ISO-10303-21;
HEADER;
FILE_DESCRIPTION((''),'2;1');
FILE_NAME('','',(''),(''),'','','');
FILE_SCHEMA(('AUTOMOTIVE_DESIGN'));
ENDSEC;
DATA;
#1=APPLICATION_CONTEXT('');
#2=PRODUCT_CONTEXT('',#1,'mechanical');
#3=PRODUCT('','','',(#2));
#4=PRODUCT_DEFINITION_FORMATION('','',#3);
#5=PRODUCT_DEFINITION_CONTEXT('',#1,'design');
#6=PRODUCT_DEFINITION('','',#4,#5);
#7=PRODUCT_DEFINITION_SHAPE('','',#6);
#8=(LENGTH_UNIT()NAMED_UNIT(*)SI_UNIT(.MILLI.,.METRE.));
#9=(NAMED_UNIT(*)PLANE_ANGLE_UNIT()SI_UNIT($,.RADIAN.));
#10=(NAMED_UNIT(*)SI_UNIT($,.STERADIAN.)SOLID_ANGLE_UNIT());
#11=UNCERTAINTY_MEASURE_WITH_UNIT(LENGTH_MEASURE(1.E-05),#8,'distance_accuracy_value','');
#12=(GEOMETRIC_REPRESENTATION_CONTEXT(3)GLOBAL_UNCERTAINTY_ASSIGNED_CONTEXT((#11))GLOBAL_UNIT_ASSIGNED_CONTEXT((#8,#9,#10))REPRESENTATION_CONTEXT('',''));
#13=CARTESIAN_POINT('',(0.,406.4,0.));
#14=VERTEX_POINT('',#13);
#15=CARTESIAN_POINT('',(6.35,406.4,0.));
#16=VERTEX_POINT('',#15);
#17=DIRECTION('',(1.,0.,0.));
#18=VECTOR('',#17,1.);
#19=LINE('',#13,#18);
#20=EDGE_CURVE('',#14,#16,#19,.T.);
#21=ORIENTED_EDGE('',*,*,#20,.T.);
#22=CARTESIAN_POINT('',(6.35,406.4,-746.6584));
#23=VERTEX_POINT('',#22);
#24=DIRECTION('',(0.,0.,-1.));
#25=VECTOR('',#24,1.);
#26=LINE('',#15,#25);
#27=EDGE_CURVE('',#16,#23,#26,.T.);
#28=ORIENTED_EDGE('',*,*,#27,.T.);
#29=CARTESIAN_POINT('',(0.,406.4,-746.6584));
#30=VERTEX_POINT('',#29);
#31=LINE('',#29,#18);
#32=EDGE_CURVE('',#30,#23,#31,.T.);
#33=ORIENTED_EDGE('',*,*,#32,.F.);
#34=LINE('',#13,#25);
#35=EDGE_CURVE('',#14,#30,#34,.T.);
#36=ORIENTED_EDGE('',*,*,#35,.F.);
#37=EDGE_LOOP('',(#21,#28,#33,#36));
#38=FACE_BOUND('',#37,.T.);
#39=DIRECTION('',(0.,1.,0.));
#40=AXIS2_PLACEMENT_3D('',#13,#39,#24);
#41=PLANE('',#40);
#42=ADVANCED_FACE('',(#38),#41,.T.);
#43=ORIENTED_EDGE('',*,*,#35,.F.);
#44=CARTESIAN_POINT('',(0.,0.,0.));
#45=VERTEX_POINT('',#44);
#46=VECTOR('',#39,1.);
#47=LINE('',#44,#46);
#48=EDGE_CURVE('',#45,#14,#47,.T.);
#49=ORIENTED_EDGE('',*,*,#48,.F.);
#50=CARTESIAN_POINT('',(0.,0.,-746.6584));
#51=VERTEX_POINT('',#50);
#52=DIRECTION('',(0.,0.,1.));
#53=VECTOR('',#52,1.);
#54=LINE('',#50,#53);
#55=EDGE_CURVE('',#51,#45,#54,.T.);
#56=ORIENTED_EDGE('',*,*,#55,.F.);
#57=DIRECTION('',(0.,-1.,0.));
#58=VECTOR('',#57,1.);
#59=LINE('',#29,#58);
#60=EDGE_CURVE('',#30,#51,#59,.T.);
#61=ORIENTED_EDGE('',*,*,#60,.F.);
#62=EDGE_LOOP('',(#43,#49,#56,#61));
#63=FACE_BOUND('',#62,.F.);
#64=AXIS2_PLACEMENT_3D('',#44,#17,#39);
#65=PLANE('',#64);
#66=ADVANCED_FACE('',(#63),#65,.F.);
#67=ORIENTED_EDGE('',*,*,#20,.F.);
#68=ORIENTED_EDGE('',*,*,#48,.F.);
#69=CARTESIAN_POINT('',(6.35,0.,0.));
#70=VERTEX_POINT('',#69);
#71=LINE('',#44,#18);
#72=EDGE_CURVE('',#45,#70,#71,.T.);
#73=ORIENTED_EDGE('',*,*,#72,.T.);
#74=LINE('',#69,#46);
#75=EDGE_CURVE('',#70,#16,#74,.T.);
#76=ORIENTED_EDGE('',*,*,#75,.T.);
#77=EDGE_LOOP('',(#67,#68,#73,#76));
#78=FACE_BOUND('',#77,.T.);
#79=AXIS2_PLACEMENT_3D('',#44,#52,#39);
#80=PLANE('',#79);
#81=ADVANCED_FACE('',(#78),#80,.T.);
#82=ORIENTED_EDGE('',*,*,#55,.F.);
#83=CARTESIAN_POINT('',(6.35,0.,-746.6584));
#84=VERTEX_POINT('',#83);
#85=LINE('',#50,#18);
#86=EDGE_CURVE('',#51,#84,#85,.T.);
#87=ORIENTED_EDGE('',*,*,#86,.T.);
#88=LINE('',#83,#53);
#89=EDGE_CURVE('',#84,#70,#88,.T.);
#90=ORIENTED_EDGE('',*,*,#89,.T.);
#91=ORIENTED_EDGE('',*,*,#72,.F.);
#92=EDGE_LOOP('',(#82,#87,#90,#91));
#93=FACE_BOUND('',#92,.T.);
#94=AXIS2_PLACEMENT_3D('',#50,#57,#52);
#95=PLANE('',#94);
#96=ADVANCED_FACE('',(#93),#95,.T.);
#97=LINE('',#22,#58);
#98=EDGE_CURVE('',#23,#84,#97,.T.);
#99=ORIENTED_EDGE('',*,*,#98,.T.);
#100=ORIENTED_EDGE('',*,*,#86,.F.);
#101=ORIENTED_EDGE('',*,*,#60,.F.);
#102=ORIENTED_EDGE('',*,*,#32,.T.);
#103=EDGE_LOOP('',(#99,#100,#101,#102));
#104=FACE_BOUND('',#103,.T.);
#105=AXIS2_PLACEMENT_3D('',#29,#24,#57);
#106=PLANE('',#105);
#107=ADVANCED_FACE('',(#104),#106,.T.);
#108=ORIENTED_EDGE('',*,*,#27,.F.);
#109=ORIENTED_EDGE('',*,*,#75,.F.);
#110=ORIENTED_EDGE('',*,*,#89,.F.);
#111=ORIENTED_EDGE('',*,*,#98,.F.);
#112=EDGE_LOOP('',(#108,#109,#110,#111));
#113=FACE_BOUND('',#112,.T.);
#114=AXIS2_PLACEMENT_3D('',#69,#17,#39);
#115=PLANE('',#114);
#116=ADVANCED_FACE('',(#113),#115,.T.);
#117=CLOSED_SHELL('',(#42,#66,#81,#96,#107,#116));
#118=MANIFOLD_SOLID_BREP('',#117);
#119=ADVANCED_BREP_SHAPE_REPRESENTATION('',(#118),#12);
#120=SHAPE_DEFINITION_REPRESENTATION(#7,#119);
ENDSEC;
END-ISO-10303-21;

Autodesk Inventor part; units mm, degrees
ref_plane "YZ Plane" through (0, 0, 0) normal (1, 0, 0) x (0, 1, 0)
ref_plane "XZ Plane" through (0, 0, 0) normal (0, 1, 0) x (-1, 0, 0)
ref_plane "XY Plane" through (0, 0, 0) normal (0, 0, 1) x (1, 0, 0)
sketch "Sketch1" plane through (0, 0, 0) normal (1, 0, 0) x (0, 1, 0)
  line L0 (0, 0) -> (406.4, 0)
  line L1 (406.4, 0) -> (406.4, -746.6584)
  line L2 (406.4, -746.6584) -> (0, -746.6584)
  line L3 (0, -746.6584) -> (0, 0)
  dimension "d0" = 406.4
  dimension "d1" = 746.6584
extrude "Extrusion1" add sketch "Sketch1" along normal blind 6.35
properties part number "15102898-16-P-0401" material "Polycarbonate, Clear"
